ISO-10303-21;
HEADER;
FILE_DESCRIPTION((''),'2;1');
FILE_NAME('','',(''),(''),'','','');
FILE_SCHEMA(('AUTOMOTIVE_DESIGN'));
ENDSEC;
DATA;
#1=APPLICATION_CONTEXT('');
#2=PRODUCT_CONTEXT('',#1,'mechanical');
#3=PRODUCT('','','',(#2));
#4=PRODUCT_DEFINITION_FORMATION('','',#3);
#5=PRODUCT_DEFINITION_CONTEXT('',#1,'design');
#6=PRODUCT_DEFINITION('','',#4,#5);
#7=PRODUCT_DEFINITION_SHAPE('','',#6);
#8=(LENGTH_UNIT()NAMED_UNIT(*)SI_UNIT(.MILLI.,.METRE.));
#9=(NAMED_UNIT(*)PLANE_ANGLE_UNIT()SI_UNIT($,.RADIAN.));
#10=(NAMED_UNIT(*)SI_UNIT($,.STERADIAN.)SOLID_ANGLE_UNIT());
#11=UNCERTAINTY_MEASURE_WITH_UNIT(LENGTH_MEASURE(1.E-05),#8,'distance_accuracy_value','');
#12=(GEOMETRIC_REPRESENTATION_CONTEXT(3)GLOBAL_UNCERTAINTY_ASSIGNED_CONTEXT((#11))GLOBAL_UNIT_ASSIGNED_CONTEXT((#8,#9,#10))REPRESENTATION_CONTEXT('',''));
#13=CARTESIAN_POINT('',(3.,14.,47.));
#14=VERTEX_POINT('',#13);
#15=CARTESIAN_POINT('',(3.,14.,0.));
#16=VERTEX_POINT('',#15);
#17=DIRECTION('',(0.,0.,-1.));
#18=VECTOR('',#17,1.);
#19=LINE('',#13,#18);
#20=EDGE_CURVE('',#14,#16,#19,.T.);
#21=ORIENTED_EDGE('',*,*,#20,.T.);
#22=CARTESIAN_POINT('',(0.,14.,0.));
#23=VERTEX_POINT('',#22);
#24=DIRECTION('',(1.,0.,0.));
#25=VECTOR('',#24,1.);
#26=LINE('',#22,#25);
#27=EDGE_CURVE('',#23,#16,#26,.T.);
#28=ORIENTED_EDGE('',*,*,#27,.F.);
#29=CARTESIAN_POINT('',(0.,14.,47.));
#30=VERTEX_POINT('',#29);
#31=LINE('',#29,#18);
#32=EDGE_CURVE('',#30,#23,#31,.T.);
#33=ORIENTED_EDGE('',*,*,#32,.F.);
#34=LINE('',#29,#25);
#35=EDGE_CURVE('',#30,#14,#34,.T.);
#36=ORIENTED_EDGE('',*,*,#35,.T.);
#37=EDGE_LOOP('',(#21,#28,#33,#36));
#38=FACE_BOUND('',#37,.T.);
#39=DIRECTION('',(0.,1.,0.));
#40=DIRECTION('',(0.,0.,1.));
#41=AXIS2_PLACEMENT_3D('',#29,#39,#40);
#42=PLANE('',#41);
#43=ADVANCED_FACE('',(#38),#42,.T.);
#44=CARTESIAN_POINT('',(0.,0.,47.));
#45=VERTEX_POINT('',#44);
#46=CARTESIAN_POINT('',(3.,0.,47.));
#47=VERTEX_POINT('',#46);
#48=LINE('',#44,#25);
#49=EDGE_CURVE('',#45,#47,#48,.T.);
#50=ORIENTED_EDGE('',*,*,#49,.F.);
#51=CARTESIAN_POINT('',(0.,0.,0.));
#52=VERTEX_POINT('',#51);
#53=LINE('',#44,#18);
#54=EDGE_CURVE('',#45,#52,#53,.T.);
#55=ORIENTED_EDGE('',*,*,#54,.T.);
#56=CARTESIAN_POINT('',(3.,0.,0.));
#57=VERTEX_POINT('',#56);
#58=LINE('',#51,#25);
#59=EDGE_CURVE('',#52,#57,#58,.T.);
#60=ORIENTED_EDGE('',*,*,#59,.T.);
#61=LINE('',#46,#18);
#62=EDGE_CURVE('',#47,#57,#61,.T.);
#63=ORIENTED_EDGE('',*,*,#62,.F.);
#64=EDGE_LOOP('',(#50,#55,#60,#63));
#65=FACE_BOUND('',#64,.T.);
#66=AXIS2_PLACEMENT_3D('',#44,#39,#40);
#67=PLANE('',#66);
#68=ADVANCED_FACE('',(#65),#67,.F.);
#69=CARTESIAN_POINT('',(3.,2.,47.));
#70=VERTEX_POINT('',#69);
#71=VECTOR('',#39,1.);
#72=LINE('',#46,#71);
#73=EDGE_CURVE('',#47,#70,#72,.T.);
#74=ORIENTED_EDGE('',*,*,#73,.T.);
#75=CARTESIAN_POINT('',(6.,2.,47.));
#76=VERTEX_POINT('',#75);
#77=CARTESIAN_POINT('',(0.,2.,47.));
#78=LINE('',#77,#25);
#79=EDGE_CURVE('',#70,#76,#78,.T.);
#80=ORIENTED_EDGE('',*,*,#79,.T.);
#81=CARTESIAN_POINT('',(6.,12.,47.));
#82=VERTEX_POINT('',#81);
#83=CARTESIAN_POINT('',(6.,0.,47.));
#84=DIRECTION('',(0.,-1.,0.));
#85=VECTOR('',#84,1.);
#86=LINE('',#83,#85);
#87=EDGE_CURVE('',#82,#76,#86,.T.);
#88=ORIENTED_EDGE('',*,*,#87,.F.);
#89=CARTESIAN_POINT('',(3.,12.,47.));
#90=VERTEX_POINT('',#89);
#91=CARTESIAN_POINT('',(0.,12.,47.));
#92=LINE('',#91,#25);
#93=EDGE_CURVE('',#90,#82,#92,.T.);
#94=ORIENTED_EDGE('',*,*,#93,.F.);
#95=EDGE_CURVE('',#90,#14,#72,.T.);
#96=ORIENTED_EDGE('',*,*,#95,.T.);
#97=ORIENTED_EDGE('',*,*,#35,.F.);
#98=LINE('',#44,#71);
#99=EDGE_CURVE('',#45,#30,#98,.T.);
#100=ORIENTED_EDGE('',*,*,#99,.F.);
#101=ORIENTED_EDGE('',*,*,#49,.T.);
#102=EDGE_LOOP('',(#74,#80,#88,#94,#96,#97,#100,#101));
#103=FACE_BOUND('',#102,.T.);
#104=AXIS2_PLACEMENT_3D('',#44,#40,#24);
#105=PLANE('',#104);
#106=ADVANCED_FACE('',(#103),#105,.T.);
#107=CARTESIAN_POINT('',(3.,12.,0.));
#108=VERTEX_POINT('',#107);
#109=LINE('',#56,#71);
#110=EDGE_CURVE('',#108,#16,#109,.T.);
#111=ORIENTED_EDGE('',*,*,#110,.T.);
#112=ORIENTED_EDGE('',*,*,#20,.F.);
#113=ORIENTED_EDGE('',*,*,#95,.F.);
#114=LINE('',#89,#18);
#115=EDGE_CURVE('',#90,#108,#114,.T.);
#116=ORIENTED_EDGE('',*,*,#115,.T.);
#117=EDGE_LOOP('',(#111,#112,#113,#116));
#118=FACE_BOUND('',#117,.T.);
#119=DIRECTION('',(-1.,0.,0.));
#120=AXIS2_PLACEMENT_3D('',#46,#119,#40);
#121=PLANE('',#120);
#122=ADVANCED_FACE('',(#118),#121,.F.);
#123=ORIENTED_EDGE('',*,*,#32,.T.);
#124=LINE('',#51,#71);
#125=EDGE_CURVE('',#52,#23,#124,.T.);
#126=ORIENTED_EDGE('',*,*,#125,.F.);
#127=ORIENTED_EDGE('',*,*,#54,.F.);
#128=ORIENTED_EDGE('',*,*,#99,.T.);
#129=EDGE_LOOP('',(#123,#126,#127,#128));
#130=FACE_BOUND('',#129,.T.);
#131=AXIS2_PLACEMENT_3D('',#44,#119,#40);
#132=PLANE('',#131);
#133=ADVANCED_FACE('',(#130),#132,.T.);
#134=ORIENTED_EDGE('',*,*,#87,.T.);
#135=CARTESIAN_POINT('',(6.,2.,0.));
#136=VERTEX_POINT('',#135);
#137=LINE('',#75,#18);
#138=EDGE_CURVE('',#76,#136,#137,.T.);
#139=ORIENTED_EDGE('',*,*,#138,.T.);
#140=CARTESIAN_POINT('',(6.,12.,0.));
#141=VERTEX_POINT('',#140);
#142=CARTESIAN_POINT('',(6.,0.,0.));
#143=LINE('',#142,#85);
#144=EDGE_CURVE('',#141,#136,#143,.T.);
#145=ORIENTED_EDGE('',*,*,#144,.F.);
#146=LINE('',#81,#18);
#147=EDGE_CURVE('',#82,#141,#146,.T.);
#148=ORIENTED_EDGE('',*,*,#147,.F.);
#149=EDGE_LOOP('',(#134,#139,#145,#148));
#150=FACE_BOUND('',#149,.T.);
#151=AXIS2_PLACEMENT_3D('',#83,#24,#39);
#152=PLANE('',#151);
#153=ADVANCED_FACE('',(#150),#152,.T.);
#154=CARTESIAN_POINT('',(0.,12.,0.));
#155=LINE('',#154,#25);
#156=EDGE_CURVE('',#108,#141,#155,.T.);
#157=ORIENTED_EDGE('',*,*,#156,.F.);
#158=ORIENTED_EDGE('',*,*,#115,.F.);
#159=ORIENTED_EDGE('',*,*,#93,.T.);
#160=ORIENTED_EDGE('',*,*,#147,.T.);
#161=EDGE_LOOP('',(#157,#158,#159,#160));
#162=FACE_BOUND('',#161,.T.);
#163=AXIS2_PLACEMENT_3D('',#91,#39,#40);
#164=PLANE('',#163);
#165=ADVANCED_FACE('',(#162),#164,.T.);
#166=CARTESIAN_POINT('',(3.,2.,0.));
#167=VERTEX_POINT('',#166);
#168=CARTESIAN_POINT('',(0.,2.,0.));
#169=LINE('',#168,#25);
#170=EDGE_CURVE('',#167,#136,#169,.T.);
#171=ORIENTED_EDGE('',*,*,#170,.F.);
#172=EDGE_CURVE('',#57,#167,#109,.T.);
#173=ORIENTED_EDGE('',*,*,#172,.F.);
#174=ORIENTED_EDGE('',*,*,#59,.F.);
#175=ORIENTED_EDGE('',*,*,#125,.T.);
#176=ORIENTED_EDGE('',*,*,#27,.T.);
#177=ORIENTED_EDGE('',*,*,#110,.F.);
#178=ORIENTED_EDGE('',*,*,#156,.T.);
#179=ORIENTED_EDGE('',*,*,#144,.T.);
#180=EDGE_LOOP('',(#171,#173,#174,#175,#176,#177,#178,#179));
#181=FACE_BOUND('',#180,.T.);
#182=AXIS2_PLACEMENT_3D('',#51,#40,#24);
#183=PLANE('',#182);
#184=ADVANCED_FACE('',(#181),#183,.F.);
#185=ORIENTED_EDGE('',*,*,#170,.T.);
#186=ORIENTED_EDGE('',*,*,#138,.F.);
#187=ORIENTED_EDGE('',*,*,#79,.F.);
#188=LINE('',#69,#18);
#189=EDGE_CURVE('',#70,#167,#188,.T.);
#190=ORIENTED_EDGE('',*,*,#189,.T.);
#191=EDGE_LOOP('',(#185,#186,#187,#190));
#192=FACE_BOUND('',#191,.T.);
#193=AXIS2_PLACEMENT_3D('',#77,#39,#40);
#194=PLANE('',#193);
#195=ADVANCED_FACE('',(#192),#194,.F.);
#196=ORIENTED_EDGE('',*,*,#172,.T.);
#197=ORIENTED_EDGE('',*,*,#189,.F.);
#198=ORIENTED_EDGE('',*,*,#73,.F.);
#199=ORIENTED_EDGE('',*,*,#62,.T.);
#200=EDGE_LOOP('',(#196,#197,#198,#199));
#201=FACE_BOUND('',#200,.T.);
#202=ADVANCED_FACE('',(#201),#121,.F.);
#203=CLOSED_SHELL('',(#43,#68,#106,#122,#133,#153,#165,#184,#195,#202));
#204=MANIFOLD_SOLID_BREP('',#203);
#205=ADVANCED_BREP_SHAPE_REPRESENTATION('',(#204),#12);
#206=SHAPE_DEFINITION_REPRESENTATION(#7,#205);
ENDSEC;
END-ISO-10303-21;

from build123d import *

# Parameters (mm, degrees)
SKETCH_1_W      = 3
SKETCH_1_H      = 14
SKETCH_1_H_2    = 10
EXTRUDE_1_DEPTH = 47


with BuildPart() as part:
    # 스케치1 → 보스-돌출1 (new body)
    with BuildSketch(Plane.XY):
        with Locations((1.5, 7)):
            Rectangle(SKETCH_1_W, SKETCH_1_H)
        with Locations((4.5, 7)):
            Rectangle(SKETCH_1_W, SKETCH_1_H_2)
    extrude(amount=EXTRUDE_1_DEPTH)


solid = part.part
